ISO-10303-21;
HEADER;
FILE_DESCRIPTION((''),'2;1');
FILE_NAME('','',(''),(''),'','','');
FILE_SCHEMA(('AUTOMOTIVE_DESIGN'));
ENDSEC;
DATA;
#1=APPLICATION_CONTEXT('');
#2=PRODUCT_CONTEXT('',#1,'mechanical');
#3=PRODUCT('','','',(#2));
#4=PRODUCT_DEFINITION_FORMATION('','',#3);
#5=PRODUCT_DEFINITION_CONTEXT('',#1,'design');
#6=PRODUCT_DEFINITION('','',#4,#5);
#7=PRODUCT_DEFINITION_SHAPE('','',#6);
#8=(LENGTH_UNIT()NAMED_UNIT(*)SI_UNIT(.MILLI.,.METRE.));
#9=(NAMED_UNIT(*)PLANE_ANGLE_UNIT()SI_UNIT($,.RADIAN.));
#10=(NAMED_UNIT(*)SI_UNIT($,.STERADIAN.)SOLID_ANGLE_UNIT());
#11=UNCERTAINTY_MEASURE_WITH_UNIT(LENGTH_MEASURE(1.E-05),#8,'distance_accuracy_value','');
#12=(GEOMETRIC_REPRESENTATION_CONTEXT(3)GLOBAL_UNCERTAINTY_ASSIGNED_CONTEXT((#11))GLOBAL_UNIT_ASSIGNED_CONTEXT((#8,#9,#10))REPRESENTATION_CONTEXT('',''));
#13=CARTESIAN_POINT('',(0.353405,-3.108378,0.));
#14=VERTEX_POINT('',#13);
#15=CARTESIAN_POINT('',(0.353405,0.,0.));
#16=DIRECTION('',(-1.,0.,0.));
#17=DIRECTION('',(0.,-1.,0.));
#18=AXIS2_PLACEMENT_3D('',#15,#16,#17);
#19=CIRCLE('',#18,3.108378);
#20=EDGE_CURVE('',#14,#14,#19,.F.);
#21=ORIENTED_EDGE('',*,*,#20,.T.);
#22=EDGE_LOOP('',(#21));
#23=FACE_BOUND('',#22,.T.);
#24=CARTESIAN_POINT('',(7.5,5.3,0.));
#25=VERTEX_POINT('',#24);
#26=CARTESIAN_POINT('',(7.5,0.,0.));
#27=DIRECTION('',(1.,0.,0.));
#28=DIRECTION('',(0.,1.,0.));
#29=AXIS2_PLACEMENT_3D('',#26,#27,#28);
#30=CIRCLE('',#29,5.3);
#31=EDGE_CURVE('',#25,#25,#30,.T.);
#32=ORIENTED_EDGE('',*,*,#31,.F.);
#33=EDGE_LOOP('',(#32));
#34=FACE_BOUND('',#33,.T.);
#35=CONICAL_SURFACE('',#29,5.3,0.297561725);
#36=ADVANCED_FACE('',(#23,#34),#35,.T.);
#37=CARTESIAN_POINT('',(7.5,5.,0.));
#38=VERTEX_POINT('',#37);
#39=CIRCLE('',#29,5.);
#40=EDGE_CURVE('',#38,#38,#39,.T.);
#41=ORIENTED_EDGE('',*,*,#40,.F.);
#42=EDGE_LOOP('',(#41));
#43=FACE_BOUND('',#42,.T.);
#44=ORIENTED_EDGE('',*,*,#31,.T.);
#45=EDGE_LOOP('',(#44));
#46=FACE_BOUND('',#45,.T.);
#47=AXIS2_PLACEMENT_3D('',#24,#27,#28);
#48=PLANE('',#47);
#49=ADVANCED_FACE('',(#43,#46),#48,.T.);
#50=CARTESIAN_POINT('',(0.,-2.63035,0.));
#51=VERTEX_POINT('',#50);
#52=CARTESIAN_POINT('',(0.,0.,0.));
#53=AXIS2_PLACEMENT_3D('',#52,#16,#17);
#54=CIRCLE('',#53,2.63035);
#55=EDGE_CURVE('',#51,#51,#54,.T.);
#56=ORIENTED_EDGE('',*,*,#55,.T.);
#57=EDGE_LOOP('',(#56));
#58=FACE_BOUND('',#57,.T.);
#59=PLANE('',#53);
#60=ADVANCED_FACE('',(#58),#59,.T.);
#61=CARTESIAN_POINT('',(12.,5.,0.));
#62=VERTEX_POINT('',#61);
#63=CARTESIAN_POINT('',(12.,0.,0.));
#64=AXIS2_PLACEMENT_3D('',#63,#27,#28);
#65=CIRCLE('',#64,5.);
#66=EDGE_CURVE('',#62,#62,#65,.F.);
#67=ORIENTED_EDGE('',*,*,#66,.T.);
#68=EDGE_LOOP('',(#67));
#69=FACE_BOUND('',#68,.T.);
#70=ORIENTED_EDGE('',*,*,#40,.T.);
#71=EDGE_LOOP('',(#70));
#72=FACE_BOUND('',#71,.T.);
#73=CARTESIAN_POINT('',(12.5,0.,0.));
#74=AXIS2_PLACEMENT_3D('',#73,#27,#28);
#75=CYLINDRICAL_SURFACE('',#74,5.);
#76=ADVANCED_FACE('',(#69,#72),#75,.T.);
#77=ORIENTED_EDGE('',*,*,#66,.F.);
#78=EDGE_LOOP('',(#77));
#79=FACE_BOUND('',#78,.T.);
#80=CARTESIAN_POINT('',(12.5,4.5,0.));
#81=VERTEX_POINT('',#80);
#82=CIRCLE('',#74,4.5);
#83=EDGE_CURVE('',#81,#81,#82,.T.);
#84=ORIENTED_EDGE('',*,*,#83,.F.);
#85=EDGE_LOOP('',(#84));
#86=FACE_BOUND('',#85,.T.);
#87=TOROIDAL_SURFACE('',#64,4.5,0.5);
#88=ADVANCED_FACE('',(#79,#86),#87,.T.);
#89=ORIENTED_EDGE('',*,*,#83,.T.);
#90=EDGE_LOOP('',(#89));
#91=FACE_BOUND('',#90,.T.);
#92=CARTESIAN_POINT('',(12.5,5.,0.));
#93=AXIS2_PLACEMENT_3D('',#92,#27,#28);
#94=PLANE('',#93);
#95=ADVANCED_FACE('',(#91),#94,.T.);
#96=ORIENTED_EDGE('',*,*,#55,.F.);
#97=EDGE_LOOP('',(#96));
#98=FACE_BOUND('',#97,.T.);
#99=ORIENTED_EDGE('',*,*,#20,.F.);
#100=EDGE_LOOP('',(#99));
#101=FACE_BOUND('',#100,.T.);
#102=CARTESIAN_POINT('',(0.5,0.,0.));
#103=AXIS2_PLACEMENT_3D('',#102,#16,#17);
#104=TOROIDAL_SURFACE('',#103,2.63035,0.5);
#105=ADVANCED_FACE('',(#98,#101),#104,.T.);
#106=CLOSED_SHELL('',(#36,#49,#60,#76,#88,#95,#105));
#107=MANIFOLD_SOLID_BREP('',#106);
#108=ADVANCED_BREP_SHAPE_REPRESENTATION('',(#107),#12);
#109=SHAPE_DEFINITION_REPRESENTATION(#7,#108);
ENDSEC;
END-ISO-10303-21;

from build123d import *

# Parameters (mm, degrees)
FILETE1_R = 0.5
FILETE2_R = 0.5


with BuildPart() as part:
    # Esboço1 → Revolução1 (revolve)
    with BuildSketch(Plane.XY):
        Polygon((0, 0), (0, 3), (7.5, 5.3), (7.5, 5), (12.5, 5), (12.5, 0), align=None)
    revolve(axis=Axis((12.5, 0, 0), (-1, 0, 0)))

    # Filete1
    filete1_edges = [part.edges().sort_by_distance(p)[0] for p in [
        (12.5, -5, 0),
    ]]
    fillet(filete1_edges, radius=FILETE1_R)

    # Filete2
    filete2_edges = [part.edges().sort_by_distance(p)[0] for p in [
        (0, -3, 0),
    ]]
    fillet(filete2_edges, radius=FILETE2_R)


solid = part.part
